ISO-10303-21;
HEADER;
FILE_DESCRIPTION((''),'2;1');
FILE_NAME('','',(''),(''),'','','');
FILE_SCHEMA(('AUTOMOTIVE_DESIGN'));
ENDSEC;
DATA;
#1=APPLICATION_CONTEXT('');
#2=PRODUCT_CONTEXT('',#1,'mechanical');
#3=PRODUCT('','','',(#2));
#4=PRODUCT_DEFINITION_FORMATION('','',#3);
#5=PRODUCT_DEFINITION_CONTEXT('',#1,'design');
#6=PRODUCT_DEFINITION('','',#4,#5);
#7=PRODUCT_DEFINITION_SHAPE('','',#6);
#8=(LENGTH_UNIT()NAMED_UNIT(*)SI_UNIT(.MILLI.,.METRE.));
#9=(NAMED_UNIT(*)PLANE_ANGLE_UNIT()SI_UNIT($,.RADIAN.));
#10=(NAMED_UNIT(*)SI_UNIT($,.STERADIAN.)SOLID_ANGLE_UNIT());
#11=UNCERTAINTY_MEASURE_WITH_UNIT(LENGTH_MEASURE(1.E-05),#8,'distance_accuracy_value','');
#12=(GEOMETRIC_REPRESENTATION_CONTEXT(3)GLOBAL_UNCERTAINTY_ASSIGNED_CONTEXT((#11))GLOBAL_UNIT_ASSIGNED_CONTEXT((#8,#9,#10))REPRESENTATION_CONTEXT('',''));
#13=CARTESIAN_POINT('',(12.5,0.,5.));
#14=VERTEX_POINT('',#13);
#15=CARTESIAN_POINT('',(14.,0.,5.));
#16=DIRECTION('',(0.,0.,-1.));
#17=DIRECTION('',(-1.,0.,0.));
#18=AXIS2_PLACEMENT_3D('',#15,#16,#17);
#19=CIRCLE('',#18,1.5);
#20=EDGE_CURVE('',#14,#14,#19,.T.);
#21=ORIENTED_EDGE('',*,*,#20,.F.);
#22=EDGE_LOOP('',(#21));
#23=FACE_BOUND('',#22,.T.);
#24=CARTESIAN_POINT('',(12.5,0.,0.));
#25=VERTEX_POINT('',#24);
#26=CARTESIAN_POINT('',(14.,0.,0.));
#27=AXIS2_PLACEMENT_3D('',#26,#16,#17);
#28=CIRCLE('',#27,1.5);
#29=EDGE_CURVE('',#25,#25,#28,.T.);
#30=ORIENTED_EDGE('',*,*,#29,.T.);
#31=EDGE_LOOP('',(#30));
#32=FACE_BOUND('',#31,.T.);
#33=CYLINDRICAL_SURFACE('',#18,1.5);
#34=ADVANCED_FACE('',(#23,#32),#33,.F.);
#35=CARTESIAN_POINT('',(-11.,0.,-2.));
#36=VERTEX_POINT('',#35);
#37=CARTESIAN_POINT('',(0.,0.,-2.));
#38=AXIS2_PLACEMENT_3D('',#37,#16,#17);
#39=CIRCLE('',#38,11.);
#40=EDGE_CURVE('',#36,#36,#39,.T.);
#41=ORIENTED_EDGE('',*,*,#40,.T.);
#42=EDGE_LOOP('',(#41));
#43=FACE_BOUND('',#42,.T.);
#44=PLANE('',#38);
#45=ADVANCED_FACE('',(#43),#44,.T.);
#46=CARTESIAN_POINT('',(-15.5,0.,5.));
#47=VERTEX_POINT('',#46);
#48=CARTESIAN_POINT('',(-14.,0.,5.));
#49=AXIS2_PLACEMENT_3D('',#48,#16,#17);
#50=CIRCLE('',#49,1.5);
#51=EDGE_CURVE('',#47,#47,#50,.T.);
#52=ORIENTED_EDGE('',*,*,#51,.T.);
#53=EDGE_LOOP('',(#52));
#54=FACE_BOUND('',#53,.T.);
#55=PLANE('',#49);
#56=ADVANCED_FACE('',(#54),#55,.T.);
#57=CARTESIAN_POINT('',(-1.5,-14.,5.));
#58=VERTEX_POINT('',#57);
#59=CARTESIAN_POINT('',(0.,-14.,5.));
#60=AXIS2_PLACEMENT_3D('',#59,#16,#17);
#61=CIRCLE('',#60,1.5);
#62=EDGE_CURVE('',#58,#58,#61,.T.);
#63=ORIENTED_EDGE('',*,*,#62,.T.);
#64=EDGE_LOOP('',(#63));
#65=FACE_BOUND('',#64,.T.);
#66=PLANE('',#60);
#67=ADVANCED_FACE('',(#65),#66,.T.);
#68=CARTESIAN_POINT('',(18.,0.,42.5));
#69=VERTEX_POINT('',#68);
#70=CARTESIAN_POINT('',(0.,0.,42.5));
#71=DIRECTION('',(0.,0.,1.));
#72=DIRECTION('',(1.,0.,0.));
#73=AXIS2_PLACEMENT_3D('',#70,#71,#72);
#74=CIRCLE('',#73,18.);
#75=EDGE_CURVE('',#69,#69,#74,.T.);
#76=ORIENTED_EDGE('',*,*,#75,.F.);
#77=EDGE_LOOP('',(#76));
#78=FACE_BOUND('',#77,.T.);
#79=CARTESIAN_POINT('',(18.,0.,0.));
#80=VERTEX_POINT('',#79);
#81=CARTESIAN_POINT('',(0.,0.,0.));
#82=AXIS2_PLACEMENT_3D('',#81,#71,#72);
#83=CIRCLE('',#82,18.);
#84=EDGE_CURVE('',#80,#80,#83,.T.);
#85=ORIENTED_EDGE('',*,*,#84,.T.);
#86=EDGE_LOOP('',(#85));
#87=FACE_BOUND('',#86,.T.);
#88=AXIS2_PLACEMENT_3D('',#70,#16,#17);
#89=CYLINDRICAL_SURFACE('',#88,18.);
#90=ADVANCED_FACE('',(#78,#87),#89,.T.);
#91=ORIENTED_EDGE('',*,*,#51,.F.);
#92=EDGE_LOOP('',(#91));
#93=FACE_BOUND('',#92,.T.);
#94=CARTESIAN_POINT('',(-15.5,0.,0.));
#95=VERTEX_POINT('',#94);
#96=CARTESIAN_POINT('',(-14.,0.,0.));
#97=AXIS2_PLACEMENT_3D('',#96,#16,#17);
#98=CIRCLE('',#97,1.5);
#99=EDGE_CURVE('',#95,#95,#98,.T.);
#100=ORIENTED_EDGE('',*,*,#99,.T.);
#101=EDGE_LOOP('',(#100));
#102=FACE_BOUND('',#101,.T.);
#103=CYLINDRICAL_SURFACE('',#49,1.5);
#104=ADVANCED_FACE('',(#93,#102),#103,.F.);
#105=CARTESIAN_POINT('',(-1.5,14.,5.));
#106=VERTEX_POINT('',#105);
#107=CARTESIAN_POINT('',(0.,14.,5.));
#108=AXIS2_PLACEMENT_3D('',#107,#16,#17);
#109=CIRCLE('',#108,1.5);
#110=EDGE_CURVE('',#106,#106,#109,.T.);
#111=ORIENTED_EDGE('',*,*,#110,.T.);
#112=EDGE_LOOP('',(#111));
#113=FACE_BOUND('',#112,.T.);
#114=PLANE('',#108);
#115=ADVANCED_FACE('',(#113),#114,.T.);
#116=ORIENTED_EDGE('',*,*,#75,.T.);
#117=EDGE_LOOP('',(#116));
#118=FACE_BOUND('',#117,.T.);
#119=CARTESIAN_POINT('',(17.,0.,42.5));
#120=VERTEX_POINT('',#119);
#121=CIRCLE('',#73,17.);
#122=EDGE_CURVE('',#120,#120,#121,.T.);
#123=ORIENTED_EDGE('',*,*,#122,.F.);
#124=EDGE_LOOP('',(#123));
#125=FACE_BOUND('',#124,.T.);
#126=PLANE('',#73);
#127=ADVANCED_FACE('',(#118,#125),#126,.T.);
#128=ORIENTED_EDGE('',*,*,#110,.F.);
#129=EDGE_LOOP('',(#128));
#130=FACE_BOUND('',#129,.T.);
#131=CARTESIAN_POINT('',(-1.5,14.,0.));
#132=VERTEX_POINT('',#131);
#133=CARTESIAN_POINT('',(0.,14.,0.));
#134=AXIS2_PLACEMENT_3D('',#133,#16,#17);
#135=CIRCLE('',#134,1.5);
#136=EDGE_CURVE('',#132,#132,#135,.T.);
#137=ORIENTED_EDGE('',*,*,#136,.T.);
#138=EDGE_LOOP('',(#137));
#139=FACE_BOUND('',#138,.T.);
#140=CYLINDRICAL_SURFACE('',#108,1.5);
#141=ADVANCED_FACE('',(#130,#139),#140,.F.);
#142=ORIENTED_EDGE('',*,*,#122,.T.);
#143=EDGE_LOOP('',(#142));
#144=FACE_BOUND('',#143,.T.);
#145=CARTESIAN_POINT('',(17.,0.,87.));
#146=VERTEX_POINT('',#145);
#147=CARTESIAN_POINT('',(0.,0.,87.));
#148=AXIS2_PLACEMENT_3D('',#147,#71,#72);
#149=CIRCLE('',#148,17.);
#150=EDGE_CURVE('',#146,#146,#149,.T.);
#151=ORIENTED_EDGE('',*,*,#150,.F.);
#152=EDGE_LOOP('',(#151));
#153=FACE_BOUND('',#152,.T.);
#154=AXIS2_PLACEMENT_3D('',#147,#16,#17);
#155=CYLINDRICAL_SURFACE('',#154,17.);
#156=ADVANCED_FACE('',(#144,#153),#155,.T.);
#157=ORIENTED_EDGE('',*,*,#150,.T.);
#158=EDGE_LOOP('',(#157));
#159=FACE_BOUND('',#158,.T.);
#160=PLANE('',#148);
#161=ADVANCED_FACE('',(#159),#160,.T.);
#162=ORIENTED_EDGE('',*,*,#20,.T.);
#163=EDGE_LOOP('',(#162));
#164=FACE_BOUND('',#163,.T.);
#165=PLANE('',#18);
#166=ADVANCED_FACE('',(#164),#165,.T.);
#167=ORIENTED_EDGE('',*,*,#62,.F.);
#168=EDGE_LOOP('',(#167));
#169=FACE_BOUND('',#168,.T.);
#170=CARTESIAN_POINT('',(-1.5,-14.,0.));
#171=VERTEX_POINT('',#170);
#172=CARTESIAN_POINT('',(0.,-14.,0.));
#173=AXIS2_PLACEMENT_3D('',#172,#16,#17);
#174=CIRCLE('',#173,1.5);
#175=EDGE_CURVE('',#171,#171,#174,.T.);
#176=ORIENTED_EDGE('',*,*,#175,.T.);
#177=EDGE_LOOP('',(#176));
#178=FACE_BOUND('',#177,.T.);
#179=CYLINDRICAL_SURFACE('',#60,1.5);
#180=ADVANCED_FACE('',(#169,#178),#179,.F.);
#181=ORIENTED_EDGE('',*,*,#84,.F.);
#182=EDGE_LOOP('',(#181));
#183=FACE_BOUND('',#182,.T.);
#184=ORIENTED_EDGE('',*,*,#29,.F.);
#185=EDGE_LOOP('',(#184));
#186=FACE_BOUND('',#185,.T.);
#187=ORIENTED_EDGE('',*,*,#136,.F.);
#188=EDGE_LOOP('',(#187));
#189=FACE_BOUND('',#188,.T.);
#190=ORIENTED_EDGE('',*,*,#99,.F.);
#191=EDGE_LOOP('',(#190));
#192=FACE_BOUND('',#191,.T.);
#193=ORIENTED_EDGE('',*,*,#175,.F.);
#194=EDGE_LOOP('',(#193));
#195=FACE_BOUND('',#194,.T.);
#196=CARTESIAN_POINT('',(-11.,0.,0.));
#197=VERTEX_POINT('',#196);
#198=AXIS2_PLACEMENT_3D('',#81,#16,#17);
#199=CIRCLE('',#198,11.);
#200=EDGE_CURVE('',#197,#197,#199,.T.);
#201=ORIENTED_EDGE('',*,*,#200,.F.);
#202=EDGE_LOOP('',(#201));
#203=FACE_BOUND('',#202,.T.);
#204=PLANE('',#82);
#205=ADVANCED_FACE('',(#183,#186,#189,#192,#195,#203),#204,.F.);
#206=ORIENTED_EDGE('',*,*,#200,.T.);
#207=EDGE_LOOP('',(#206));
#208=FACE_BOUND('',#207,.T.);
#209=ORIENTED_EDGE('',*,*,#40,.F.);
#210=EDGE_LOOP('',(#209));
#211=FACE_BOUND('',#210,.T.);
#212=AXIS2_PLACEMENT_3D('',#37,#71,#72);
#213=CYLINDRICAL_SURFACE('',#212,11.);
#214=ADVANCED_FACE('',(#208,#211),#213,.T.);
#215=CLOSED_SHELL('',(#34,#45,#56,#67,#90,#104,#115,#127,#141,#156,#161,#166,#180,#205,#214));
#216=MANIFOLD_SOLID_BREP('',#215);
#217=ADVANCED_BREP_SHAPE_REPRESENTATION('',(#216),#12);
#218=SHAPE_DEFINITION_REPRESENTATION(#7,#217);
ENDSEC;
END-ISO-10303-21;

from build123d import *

# Parameters (mm, degrees)
SKETCH1_R      = 18
GEARBOX_DEPTH  = 42.5
SKETCH2_R      = 17
MOTOR_DEPTH    = 44.5
SKETCH3_R      = 11
PLATFORM_DEPTH = 2
SKETCH4_R      = 1.5
SCREWS_DEPTH   = 5


with BuildPart() as part:
    # Sketch1 → Gearbox (new body)
    with BuildSketch(Plane.XY):
        Circle(SKETCH1_R)
    extrude(amount=GEARBOX_DEPTH)

    # Sketch2 → Motor (add)
    with BuildSketch(Plane.XY.offset(42.5)):
        Circle(SKETCH2_R)
    extrude(amount=MOTOR_DEPTH)

    # Sketch3 → Platform (add)
    with BuildSketch(Plane(origin=(0, 0, 0), x_dir=(-1, 0, 0), z_dir=(0, 0, -1))):
        Circle(SKETCH3_R)
    extrude(amount=PLATFORM_DEPTH)

    # Sketch4 → Screws (cut)
    with BuildSketch(Plane(origin=(0, 0, 0), x_dir=(-1, 0, 0), z_dir=(0, 0, -1))):
        with Locations((0, 14)):
            Circle(SKETCH4_R)
        with Locations((14, 0)):
            Circle(SKETCH4_R)
        with Locations((0, -14)):
            Circle(SKETCH4_R)
        with Locations((-14, 0)):
            Circle(SKETCH4_R)
    extrude(amount=-SCREWS_DEPTH, mode=Mode.SUBTRACT)


solid = part.part
